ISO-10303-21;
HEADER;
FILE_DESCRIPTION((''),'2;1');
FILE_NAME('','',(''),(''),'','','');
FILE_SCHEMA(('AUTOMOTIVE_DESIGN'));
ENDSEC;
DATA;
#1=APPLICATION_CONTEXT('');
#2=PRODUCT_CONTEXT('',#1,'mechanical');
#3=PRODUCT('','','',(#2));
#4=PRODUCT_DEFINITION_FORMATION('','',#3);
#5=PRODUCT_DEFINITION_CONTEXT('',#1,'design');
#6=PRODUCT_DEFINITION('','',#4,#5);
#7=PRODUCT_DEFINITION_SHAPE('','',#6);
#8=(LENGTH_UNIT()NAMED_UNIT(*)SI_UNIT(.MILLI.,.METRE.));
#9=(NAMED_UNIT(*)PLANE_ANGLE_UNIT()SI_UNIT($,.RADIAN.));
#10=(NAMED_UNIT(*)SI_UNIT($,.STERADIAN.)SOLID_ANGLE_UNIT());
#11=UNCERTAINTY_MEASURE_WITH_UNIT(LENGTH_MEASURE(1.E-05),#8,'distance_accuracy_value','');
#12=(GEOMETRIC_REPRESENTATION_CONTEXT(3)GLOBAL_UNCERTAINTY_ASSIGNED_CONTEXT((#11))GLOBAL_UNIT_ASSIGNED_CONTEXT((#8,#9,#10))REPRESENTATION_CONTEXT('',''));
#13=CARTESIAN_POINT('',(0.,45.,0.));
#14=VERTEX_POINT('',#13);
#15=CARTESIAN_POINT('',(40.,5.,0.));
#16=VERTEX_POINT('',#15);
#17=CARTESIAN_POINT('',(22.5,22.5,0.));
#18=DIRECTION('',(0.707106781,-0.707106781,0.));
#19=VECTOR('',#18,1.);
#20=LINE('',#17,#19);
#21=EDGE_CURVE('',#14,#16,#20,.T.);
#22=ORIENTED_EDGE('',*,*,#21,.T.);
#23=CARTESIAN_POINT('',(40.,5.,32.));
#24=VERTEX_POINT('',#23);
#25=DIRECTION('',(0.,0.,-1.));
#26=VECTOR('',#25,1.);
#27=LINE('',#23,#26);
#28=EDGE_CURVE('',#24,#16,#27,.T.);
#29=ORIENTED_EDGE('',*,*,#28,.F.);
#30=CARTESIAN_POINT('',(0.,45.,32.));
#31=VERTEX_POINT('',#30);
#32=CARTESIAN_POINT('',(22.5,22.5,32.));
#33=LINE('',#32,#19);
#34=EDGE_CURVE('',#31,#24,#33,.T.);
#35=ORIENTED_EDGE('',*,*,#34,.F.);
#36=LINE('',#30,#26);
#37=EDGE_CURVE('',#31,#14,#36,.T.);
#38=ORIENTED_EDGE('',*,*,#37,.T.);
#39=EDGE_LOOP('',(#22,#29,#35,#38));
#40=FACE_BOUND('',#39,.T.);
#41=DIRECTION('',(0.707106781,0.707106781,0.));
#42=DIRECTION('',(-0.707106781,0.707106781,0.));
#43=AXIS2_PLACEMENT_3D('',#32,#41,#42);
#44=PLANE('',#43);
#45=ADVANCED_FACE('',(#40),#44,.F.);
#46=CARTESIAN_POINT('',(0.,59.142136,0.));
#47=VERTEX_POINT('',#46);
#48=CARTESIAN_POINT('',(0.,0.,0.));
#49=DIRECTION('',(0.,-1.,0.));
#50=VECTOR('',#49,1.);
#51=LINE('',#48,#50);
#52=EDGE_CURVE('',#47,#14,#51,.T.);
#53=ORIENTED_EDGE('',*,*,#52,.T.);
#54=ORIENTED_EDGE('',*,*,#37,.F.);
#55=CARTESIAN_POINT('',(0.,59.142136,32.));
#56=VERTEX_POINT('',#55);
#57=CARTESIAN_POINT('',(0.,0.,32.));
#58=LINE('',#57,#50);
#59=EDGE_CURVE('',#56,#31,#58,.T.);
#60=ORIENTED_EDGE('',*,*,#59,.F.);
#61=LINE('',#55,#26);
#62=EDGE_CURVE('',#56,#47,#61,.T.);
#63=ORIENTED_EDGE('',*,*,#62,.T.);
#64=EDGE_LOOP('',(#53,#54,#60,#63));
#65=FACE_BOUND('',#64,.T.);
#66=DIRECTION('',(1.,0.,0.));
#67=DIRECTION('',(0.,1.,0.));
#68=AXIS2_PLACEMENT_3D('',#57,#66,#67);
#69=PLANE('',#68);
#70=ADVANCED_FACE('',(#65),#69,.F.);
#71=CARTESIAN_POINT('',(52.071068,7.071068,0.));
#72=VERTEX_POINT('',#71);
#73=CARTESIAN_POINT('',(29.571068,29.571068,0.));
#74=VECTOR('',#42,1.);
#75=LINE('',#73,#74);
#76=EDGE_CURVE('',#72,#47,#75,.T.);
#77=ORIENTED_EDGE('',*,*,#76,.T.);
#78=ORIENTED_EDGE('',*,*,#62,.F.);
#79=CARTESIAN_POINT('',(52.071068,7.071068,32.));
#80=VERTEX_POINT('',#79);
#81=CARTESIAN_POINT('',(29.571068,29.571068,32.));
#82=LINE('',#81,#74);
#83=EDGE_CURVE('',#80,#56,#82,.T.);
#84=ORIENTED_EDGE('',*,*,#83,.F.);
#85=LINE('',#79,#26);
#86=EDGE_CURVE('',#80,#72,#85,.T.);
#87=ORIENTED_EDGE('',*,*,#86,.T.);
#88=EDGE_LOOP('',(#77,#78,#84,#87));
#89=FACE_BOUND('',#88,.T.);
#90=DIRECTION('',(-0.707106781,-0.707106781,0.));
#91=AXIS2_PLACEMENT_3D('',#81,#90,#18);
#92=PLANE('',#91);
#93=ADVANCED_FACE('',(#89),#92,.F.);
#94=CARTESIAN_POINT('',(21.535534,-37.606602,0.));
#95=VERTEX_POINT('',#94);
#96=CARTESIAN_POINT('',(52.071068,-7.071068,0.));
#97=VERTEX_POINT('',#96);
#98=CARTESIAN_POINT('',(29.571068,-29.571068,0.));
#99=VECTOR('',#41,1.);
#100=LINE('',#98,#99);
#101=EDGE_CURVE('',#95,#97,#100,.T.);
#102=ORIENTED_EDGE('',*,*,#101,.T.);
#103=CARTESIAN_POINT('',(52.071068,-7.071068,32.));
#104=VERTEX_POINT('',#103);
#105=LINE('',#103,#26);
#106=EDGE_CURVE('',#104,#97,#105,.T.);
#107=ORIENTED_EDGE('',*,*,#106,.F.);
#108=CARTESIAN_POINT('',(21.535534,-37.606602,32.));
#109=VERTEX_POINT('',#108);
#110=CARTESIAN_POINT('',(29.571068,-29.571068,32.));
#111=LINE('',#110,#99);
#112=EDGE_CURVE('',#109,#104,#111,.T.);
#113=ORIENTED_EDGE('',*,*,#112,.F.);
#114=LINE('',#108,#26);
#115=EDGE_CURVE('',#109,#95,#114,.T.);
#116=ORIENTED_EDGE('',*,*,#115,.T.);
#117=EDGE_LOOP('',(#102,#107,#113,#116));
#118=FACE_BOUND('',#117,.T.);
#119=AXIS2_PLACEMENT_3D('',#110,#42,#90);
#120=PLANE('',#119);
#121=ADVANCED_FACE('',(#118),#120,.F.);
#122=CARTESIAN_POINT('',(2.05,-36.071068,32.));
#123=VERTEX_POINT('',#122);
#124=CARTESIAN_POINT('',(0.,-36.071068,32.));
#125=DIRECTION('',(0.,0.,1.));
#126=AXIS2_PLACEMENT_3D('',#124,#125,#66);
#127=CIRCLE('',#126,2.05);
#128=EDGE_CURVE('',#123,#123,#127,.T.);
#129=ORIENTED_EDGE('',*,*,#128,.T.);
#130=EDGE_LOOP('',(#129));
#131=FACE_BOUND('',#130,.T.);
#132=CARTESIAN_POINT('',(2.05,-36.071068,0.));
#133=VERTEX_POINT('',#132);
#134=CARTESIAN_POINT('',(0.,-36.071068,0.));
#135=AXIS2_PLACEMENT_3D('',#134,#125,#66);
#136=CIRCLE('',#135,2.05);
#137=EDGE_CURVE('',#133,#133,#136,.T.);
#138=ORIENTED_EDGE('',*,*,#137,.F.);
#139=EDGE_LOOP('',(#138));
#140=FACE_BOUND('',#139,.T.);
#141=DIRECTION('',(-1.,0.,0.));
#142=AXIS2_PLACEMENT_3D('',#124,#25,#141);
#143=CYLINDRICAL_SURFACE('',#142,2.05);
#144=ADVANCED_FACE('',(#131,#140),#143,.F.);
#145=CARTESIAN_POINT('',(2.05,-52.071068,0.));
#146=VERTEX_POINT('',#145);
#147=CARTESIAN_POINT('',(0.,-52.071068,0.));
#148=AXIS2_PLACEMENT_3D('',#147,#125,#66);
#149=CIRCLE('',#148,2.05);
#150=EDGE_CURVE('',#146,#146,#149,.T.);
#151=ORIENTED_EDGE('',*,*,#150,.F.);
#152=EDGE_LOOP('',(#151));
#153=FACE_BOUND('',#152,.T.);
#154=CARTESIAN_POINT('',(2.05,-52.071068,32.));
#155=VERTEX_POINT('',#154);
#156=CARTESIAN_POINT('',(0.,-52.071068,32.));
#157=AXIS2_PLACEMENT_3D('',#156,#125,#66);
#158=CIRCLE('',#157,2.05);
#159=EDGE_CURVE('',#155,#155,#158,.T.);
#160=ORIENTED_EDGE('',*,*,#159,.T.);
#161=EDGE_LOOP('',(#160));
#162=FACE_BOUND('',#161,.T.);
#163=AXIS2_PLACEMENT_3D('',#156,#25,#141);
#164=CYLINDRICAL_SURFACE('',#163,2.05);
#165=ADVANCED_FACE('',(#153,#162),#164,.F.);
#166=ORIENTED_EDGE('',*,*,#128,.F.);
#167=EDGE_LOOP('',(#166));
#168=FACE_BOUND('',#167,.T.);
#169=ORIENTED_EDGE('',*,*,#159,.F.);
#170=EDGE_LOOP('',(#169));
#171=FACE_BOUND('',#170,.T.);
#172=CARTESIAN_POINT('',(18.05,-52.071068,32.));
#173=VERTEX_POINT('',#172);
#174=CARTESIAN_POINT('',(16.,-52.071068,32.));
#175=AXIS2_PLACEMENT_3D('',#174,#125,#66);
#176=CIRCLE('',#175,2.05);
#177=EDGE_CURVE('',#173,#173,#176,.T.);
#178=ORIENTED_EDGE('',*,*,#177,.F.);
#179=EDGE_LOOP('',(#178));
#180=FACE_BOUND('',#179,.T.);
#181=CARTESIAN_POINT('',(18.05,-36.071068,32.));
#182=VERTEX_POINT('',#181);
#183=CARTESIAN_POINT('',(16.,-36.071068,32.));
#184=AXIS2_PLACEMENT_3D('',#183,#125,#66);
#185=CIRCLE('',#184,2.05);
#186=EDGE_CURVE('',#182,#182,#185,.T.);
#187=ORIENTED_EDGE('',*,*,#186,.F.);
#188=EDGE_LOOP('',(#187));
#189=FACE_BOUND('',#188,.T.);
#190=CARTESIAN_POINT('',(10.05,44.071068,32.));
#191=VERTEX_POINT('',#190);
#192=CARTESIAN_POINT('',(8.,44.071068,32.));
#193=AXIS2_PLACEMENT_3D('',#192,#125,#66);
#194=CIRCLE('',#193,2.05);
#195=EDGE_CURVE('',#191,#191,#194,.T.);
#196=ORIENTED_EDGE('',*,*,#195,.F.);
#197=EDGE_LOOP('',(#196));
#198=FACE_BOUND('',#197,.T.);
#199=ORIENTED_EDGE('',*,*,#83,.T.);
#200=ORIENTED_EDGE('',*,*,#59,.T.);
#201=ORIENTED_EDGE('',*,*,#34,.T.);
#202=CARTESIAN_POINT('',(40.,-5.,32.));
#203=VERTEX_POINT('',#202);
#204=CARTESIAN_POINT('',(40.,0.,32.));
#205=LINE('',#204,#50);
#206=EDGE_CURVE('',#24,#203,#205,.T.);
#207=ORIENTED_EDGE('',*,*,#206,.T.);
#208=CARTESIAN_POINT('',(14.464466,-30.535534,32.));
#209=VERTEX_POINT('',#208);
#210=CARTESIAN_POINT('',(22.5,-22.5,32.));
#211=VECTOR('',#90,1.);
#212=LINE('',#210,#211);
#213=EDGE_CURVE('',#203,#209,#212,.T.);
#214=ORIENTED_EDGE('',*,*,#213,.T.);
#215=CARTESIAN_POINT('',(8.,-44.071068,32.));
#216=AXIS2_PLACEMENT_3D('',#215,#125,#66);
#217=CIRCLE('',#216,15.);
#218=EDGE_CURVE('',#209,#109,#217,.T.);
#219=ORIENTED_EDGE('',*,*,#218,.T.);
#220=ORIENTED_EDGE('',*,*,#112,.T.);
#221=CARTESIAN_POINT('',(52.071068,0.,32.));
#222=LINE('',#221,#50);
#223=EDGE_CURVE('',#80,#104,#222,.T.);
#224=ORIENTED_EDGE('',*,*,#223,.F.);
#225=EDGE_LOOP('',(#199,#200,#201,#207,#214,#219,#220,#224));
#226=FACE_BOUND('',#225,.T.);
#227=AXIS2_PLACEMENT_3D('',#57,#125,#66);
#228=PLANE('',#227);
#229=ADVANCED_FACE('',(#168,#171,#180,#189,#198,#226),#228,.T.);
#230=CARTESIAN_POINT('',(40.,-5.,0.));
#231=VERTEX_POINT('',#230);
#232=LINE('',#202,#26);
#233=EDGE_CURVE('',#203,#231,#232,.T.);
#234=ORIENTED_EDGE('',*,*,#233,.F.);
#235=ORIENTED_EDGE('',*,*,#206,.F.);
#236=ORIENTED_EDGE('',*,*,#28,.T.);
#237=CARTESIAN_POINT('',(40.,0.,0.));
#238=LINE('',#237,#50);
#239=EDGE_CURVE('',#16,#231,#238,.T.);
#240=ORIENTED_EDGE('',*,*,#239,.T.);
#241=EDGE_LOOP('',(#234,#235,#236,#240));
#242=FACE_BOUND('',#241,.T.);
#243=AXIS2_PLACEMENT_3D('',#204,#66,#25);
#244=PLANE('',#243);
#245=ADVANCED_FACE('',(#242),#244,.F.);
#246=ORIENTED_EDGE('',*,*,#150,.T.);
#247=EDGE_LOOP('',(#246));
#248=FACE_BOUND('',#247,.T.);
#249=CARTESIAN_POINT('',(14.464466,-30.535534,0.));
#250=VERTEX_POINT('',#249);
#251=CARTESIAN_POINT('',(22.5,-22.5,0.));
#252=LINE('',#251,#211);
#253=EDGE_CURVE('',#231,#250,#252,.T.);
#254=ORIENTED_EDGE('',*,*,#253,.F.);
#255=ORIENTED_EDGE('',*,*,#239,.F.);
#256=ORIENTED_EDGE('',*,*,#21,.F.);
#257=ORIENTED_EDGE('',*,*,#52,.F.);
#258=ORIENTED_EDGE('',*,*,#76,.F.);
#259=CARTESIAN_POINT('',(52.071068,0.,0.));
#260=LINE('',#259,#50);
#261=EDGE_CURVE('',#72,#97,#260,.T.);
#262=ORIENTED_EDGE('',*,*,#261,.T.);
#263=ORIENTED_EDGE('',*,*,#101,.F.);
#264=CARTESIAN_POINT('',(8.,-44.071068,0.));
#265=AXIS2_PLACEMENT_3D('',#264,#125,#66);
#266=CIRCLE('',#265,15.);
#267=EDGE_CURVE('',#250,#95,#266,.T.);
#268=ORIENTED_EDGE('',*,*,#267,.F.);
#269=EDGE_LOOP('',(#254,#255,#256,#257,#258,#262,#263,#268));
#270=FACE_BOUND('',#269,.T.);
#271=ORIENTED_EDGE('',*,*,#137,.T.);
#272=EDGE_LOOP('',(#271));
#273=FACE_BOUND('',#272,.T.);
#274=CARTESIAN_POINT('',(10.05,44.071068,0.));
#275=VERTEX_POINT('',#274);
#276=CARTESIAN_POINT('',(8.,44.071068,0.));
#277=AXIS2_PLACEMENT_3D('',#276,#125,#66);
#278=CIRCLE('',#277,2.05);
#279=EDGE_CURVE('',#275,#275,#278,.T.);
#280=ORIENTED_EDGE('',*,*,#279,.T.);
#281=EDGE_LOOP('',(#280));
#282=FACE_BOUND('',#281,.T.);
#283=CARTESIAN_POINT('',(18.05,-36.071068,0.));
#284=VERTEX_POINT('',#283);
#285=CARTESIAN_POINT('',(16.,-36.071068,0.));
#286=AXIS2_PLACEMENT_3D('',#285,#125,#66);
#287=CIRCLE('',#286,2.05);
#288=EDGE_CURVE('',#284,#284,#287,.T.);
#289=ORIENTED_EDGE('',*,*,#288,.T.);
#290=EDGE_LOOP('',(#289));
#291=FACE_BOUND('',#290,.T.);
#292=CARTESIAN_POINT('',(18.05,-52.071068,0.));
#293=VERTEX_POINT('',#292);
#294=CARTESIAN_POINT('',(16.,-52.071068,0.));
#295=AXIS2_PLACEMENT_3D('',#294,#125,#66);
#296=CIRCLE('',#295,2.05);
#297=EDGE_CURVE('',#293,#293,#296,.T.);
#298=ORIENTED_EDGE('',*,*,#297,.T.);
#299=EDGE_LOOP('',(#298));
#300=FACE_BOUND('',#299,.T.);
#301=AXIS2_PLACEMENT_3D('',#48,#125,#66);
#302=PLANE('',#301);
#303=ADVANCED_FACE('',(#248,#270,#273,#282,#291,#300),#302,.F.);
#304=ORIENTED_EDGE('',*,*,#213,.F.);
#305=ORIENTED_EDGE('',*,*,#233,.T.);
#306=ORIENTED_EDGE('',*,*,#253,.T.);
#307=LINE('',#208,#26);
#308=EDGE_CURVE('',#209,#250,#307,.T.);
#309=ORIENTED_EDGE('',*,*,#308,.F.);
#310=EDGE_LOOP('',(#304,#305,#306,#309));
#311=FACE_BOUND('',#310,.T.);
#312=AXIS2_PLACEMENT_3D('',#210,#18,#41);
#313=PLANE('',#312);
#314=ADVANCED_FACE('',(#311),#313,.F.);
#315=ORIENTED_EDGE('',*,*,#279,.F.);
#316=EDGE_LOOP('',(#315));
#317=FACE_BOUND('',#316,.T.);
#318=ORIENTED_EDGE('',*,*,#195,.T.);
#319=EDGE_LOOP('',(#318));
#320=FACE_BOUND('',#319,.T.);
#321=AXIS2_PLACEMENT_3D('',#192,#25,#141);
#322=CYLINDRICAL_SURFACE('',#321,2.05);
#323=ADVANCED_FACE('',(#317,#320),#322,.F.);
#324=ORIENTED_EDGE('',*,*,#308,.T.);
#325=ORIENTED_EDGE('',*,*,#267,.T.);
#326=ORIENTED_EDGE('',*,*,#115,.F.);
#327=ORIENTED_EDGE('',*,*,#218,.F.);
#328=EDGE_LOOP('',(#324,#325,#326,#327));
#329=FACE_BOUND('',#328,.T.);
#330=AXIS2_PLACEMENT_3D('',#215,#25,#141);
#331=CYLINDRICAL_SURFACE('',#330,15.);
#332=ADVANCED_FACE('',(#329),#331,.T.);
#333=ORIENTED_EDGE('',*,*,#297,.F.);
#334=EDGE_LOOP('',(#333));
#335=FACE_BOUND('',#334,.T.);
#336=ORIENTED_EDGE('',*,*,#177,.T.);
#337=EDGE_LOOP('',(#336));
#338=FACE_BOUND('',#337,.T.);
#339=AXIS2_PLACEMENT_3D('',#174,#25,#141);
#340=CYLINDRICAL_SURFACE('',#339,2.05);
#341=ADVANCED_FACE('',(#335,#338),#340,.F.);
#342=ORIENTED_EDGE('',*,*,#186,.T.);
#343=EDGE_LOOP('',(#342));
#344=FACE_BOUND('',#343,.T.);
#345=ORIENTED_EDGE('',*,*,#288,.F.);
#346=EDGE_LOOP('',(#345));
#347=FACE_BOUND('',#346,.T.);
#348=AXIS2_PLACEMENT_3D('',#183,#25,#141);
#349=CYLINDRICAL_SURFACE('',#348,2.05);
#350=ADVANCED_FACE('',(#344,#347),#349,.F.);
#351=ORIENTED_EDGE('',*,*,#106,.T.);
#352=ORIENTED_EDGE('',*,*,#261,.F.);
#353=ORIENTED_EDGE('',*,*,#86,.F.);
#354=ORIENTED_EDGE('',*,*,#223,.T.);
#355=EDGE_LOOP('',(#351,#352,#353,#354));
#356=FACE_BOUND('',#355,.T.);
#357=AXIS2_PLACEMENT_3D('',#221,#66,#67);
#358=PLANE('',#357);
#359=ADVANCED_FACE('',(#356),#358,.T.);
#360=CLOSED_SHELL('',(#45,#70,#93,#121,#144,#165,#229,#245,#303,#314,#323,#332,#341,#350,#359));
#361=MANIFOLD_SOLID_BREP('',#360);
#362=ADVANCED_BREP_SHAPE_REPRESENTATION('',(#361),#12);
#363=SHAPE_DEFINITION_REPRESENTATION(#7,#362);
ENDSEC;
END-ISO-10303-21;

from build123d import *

# Parameters (mm, degrees)
SKETCH1_R           = 2.05
BOSS_EXTRUDE2_DEPTH = 32


with BuildPart() as part:
    # Sketch1 → Boss-Extrude2 (new body)
    with BuildSketch(Plane.XY):
        with BuildLine():
            Line((40, -5), (14.464466094, -30.535533906))
            ThreePointArc((14.464466094, -30.535533906), (-2.606601718, -54.67766953), (21.535533906, -37.606601718))
            Line((21.535533906, -37.606601718), (52.071067812, -7.071067812))
            Line((52.071067812, -7.071067812), (52.071067812, 7.071067812))
            Line((52.071067812, 7.071067812), (0, 59.142135624))
            Line((0, 59.142135624), (0, 45))
            Line((0, 45), (40, 5))
            Line((40, 5), (40, -5))
        make_face()
        with Locations((0, -52.071067812)):
            Circle(SKETCH1_R, mode=Mode.SUBTRACT)
        with Locations((16, -52.071067812)):
            Circle(SKETCH1_R, mode=Mode.SUBTRACT)
        with Locations((16, -36.071067812)):
            Circle(SKETCH1_R, mode=Mode.SUBTRACT)
        with Locations((0, -36.071067812)):
            Circle(SKETCH1_R, mode=Mode.SUBTRACT)
        with Locations((8, 44.071067812)):
            Circle(SKETCH1_R, mode=Mode.SUBTRACT)
    extrude(amount=BOSS_EXTRUDE2_DEPTH)


solid = part.part
